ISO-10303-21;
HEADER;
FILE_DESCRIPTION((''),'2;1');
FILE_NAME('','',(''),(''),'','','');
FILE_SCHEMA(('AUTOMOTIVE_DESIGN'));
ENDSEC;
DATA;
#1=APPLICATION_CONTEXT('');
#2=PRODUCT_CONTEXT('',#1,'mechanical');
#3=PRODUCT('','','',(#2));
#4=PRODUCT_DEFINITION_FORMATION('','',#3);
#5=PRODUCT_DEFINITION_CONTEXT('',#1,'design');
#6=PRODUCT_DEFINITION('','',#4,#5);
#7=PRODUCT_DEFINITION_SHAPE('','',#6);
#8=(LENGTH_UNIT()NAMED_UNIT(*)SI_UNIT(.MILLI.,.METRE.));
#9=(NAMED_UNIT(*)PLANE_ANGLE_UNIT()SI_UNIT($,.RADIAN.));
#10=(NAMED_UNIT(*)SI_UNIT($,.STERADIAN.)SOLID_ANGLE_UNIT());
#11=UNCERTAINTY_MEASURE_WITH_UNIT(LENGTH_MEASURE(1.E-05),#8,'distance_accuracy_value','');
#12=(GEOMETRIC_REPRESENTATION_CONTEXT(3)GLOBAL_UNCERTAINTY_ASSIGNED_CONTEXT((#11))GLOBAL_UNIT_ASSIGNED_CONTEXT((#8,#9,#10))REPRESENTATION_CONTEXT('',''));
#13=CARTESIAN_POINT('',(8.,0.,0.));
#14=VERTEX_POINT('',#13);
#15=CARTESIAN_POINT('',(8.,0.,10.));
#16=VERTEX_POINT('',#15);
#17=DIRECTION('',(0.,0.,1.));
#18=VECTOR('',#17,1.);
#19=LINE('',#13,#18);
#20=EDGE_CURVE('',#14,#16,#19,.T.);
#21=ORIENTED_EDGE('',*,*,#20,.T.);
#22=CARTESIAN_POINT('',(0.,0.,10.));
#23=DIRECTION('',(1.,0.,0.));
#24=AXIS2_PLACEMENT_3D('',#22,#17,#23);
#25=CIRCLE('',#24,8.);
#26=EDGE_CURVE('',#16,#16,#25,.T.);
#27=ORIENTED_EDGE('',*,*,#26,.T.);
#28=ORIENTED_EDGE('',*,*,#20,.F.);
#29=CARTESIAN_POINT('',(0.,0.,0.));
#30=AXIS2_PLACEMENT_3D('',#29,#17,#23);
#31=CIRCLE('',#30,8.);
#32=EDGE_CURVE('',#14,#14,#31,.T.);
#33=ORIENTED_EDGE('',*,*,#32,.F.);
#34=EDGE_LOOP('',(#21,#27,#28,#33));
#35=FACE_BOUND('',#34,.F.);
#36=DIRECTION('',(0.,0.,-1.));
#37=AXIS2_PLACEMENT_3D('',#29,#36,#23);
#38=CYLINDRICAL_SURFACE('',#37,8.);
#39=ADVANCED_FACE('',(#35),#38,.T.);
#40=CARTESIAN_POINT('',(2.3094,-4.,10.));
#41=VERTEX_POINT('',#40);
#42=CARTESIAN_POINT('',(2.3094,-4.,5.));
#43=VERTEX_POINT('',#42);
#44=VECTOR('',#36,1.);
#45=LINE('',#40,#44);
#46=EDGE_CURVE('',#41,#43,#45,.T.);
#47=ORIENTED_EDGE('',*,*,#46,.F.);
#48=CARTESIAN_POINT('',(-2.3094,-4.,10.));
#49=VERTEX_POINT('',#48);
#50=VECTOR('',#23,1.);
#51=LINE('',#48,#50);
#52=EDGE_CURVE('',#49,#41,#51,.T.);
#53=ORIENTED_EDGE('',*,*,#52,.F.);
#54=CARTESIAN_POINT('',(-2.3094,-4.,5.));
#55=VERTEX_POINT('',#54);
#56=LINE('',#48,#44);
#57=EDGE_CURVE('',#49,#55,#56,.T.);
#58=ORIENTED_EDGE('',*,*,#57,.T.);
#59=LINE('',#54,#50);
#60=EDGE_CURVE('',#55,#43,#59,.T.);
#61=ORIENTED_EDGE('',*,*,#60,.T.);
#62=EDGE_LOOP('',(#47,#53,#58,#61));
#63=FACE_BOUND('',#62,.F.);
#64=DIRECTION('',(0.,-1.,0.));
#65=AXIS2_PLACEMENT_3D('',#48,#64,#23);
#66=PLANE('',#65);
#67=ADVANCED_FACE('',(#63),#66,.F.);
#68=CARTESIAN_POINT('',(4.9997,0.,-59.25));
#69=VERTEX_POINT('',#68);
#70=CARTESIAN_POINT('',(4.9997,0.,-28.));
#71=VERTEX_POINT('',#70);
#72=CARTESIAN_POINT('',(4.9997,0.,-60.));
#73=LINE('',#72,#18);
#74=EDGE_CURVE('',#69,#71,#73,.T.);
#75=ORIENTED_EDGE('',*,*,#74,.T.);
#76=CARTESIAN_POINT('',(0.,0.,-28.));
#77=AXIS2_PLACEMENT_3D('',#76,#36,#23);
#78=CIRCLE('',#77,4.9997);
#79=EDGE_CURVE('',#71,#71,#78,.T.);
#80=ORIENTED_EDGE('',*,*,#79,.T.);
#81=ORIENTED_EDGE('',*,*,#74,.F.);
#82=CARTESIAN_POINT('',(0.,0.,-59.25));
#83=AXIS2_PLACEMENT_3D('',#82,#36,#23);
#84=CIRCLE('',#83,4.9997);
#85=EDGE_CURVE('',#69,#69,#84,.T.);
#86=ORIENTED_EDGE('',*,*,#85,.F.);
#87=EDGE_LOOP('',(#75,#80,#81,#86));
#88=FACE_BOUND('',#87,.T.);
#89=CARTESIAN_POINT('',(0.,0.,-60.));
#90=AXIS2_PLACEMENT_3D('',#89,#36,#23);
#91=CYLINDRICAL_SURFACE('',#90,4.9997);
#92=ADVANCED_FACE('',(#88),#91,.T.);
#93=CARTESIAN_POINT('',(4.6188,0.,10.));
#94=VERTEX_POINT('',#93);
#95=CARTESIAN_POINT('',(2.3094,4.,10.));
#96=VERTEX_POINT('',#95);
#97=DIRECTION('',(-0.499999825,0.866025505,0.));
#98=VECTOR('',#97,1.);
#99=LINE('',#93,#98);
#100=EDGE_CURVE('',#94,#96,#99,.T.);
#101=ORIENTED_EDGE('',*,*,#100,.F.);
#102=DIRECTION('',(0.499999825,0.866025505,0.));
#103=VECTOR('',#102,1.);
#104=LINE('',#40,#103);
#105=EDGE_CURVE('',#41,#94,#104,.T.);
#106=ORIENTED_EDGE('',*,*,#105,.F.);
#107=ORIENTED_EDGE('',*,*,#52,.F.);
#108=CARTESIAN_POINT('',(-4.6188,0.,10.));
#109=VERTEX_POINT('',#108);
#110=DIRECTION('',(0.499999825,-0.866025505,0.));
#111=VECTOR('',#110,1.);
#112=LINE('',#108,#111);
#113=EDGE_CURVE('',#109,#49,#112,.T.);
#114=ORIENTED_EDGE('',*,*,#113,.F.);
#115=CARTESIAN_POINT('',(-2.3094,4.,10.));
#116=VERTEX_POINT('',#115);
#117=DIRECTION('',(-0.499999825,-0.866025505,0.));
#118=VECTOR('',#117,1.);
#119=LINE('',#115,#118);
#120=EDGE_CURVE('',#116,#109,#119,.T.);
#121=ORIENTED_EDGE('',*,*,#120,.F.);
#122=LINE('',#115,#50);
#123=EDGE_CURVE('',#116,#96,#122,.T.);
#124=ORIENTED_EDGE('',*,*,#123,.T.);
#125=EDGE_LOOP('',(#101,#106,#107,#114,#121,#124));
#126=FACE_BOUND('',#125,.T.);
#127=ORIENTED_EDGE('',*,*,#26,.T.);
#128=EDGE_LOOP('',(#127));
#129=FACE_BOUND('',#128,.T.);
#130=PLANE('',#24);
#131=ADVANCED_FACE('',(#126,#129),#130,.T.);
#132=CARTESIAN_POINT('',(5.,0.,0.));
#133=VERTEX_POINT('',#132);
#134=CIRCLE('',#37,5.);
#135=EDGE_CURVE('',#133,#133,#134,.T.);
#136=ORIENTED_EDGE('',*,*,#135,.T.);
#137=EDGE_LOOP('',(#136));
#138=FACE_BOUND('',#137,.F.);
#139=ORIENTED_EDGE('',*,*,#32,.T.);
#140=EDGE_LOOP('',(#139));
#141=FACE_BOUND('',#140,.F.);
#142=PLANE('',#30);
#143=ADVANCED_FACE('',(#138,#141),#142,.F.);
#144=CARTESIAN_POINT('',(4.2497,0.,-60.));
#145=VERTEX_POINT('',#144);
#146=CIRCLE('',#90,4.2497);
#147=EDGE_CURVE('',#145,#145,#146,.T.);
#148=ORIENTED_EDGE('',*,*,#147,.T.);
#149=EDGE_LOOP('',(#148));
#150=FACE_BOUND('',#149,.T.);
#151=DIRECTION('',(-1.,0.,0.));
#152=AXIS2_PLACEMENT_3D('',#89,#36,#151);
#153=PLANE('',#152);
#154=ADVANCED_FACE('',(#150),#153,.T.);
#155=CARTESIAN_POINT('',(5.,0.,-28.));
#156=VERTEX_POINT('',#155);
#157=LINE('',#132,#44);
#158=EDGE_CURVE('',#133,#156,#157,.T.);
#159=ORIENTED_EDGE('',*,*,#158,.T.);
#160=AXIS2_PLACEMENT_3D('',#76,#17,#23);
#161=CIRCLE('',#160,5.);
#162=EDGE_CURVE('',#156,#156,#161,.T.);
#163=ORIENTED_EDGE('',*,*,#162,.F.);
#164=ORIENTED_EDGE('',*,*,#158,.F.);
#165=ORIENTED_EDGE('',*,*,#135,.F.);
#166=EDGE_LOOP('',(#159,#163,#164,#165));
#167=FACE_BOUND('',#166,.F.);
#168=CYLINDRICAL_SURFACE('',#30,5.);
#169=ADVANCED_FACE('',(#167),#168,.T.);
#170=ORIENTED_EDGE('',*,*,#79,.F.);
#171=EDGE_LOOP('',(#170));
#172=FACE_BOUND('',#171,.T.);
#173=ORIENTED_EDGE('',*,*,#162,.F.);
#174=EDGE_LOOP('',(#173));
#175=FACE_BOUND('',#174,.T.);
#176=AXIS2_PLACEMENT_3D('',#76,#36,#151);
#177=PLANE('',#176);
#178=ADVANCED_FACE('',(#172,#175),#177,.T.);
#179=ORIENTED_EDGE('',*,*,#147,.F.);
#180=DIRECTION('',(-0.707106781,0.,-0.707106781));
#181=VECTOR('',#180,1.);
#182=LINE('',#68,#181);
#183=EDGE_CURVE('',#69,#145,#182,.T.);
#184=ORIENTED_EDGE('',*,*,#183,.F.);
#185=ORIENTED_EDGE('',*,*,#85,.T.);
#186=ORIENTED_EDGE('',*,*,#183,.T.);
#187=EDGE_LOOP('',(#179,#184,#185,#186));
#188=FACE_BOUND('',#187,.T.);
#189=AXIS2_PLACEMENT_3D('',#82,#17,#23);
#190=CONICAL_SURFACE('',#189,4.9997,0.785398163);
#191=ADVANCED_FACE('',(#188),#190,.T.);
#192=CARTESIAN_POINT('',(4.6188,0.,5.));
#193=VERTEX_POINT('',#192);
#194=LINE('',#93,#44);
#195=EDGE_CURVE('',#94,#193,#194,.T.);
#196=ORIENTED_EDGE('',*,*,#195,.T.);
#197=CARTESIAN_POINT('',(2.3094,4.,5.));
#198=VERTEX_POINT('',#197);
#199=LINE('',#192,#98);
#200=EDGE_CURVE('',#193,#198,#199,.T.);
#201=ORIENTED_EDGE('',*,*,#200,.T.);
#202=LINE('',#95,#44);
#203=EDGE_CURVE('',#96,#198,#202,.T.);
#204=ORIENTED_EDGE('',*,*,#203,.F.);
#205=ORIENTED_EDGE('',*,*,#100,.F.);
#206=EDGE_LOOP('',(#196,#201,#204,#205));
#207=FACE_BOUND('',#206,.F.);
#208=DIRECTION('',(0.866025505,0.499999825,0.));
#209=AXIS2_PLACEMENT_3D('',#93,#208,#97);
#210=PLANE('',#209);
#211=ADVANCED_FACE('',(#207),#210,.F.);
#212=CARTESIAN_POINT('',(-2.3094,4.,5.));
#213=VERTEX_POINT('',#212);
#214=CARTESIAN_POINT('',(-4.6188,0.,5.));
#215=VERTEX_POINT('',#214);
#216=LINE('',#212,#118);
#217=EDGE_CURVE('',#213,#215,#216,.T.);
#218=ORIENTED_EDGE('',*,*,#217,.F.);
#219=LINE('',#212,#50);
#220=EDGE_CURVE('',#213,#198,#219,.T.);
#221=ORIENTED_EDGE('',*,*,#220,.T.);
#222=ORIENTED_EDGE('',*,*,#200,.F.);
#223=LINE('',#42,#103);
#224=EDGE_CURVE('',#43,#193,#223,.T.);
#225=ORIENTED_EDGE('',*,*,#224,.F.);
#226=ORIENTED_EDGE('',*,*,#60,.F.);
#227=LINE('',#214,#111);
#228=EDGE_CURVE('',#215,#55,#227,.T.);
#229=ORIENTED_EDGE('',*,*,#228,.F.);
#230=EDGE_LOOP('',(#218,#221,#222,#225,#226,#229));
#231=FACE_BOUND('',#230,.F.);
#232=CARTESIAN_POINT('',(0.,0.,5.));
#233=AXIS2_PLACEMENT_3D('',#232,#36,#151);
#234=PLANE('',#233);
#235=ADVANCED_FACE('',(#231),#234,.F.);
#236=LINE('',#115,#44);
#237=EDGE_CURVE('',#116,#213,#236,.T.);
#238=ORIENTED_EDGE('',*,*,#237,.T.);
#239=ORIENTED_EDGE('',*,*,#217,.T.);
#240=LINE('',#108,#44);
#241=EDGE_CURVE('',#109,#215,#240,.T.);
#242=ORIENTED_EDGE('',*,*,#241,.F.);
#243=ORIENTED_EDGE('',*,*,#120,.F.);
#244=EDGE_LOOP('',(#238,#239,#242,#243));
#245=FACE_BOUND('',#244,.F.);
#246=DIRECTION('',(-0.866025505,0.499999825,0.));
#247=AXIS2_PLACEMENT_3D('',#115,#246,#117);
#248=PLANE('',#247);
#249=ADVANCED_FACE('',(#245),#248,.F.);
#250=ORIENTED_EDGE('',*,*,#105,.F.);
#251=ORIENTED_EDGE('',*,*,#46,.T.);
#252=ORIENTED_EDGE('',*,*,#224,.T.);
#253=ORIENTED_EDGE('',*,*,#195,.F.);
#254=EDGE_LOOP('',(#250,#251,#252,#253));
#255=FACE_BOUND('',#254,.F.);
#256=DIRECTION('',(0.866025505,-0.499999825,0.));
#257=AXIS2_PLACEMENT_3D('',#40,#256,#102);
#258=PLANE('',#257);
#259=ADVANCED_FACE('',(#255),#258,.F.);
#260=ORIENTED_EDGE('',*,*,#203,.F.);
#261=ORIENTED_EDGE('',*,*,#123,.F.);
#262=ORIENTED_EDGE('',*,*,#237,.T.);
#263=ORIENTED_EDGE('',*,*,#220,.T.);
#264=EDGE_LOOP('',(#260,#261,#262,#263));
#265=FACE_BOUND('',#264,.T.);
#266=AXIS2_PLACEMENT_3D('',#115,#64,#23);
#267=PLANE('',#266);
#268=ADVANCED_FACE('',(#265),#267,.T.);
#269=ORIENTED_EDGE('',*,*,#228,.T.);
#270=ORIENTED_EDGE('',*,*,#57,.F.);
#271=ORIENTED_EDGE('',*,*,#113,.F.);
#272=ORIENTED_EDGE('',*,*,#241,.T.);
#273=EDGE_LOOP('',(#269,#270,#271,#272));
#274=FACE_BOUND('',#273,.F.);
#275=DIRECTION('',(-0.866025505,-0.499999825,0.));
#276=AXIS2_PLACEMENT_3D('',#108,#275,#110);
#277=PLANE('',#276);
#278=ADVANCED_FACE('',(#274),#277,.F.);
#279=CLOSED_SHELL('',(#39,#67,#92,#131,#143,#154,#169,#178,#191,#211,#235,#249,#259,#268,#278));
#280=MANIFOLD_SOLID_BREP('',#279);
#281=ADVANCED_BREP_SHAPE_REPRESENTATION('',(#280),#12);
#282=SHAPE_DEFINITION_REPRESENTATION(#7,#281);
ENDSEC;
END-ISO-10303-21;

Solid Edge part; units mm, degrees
sketch "Sketch1" plane through (0, 0, 0) normal (0, 0, 1) x (1, 0, 0)
  circle A0 centre (0, 0) radius 8
  dimension "D1" = 16
extrude "Protrusion1" add sketch "Sketch1" along normal blind 10
sketch "Sketch2" plane through (0, 0, 0) normal (0, 0, -1) x (1, 0, 0)
  circle A0 centre (0, 0) radius 5
extrude "Protrusion2" add sketch "Sketch2" along normal blind 60
sketch "Sketch3" plane through (0, 0, -60) normal (0, 0, -1) x (1, 0, 0)
  circle A0 centre (0, 0) radius 4.9997
extrude "Cutout1" cut sketch "Sketch3" against normal blind 32 flip side to cut
chamfer "Chamfer_1" distance 0.75 angle 45 1 edges at (-4.9997, 0, -60)
sketch "Sketch4" plane through (0, 0, 10) normal (0, 0, 1) x (1, 0, 0)
  line L0 (-2.3094, 4) -> (2.3094, 4)
  line L1 (4.6188, 0) -> (2.3094, 4)
  line L2 (2.3094, -4) -> (4.6188, 0)
  line L3 (-2.3094, -4) -> (2.3094, -4)
  line L4 (-4.6188, 0) -> (-2.3094, -4)
  line L5 (-2.3094, 4) -> (-4.6188, 0)
  dimension "D1" = 8
extrude "Cutout2" cut sketch "Sketch4" against normal blind 5
properties part number "24104593"
